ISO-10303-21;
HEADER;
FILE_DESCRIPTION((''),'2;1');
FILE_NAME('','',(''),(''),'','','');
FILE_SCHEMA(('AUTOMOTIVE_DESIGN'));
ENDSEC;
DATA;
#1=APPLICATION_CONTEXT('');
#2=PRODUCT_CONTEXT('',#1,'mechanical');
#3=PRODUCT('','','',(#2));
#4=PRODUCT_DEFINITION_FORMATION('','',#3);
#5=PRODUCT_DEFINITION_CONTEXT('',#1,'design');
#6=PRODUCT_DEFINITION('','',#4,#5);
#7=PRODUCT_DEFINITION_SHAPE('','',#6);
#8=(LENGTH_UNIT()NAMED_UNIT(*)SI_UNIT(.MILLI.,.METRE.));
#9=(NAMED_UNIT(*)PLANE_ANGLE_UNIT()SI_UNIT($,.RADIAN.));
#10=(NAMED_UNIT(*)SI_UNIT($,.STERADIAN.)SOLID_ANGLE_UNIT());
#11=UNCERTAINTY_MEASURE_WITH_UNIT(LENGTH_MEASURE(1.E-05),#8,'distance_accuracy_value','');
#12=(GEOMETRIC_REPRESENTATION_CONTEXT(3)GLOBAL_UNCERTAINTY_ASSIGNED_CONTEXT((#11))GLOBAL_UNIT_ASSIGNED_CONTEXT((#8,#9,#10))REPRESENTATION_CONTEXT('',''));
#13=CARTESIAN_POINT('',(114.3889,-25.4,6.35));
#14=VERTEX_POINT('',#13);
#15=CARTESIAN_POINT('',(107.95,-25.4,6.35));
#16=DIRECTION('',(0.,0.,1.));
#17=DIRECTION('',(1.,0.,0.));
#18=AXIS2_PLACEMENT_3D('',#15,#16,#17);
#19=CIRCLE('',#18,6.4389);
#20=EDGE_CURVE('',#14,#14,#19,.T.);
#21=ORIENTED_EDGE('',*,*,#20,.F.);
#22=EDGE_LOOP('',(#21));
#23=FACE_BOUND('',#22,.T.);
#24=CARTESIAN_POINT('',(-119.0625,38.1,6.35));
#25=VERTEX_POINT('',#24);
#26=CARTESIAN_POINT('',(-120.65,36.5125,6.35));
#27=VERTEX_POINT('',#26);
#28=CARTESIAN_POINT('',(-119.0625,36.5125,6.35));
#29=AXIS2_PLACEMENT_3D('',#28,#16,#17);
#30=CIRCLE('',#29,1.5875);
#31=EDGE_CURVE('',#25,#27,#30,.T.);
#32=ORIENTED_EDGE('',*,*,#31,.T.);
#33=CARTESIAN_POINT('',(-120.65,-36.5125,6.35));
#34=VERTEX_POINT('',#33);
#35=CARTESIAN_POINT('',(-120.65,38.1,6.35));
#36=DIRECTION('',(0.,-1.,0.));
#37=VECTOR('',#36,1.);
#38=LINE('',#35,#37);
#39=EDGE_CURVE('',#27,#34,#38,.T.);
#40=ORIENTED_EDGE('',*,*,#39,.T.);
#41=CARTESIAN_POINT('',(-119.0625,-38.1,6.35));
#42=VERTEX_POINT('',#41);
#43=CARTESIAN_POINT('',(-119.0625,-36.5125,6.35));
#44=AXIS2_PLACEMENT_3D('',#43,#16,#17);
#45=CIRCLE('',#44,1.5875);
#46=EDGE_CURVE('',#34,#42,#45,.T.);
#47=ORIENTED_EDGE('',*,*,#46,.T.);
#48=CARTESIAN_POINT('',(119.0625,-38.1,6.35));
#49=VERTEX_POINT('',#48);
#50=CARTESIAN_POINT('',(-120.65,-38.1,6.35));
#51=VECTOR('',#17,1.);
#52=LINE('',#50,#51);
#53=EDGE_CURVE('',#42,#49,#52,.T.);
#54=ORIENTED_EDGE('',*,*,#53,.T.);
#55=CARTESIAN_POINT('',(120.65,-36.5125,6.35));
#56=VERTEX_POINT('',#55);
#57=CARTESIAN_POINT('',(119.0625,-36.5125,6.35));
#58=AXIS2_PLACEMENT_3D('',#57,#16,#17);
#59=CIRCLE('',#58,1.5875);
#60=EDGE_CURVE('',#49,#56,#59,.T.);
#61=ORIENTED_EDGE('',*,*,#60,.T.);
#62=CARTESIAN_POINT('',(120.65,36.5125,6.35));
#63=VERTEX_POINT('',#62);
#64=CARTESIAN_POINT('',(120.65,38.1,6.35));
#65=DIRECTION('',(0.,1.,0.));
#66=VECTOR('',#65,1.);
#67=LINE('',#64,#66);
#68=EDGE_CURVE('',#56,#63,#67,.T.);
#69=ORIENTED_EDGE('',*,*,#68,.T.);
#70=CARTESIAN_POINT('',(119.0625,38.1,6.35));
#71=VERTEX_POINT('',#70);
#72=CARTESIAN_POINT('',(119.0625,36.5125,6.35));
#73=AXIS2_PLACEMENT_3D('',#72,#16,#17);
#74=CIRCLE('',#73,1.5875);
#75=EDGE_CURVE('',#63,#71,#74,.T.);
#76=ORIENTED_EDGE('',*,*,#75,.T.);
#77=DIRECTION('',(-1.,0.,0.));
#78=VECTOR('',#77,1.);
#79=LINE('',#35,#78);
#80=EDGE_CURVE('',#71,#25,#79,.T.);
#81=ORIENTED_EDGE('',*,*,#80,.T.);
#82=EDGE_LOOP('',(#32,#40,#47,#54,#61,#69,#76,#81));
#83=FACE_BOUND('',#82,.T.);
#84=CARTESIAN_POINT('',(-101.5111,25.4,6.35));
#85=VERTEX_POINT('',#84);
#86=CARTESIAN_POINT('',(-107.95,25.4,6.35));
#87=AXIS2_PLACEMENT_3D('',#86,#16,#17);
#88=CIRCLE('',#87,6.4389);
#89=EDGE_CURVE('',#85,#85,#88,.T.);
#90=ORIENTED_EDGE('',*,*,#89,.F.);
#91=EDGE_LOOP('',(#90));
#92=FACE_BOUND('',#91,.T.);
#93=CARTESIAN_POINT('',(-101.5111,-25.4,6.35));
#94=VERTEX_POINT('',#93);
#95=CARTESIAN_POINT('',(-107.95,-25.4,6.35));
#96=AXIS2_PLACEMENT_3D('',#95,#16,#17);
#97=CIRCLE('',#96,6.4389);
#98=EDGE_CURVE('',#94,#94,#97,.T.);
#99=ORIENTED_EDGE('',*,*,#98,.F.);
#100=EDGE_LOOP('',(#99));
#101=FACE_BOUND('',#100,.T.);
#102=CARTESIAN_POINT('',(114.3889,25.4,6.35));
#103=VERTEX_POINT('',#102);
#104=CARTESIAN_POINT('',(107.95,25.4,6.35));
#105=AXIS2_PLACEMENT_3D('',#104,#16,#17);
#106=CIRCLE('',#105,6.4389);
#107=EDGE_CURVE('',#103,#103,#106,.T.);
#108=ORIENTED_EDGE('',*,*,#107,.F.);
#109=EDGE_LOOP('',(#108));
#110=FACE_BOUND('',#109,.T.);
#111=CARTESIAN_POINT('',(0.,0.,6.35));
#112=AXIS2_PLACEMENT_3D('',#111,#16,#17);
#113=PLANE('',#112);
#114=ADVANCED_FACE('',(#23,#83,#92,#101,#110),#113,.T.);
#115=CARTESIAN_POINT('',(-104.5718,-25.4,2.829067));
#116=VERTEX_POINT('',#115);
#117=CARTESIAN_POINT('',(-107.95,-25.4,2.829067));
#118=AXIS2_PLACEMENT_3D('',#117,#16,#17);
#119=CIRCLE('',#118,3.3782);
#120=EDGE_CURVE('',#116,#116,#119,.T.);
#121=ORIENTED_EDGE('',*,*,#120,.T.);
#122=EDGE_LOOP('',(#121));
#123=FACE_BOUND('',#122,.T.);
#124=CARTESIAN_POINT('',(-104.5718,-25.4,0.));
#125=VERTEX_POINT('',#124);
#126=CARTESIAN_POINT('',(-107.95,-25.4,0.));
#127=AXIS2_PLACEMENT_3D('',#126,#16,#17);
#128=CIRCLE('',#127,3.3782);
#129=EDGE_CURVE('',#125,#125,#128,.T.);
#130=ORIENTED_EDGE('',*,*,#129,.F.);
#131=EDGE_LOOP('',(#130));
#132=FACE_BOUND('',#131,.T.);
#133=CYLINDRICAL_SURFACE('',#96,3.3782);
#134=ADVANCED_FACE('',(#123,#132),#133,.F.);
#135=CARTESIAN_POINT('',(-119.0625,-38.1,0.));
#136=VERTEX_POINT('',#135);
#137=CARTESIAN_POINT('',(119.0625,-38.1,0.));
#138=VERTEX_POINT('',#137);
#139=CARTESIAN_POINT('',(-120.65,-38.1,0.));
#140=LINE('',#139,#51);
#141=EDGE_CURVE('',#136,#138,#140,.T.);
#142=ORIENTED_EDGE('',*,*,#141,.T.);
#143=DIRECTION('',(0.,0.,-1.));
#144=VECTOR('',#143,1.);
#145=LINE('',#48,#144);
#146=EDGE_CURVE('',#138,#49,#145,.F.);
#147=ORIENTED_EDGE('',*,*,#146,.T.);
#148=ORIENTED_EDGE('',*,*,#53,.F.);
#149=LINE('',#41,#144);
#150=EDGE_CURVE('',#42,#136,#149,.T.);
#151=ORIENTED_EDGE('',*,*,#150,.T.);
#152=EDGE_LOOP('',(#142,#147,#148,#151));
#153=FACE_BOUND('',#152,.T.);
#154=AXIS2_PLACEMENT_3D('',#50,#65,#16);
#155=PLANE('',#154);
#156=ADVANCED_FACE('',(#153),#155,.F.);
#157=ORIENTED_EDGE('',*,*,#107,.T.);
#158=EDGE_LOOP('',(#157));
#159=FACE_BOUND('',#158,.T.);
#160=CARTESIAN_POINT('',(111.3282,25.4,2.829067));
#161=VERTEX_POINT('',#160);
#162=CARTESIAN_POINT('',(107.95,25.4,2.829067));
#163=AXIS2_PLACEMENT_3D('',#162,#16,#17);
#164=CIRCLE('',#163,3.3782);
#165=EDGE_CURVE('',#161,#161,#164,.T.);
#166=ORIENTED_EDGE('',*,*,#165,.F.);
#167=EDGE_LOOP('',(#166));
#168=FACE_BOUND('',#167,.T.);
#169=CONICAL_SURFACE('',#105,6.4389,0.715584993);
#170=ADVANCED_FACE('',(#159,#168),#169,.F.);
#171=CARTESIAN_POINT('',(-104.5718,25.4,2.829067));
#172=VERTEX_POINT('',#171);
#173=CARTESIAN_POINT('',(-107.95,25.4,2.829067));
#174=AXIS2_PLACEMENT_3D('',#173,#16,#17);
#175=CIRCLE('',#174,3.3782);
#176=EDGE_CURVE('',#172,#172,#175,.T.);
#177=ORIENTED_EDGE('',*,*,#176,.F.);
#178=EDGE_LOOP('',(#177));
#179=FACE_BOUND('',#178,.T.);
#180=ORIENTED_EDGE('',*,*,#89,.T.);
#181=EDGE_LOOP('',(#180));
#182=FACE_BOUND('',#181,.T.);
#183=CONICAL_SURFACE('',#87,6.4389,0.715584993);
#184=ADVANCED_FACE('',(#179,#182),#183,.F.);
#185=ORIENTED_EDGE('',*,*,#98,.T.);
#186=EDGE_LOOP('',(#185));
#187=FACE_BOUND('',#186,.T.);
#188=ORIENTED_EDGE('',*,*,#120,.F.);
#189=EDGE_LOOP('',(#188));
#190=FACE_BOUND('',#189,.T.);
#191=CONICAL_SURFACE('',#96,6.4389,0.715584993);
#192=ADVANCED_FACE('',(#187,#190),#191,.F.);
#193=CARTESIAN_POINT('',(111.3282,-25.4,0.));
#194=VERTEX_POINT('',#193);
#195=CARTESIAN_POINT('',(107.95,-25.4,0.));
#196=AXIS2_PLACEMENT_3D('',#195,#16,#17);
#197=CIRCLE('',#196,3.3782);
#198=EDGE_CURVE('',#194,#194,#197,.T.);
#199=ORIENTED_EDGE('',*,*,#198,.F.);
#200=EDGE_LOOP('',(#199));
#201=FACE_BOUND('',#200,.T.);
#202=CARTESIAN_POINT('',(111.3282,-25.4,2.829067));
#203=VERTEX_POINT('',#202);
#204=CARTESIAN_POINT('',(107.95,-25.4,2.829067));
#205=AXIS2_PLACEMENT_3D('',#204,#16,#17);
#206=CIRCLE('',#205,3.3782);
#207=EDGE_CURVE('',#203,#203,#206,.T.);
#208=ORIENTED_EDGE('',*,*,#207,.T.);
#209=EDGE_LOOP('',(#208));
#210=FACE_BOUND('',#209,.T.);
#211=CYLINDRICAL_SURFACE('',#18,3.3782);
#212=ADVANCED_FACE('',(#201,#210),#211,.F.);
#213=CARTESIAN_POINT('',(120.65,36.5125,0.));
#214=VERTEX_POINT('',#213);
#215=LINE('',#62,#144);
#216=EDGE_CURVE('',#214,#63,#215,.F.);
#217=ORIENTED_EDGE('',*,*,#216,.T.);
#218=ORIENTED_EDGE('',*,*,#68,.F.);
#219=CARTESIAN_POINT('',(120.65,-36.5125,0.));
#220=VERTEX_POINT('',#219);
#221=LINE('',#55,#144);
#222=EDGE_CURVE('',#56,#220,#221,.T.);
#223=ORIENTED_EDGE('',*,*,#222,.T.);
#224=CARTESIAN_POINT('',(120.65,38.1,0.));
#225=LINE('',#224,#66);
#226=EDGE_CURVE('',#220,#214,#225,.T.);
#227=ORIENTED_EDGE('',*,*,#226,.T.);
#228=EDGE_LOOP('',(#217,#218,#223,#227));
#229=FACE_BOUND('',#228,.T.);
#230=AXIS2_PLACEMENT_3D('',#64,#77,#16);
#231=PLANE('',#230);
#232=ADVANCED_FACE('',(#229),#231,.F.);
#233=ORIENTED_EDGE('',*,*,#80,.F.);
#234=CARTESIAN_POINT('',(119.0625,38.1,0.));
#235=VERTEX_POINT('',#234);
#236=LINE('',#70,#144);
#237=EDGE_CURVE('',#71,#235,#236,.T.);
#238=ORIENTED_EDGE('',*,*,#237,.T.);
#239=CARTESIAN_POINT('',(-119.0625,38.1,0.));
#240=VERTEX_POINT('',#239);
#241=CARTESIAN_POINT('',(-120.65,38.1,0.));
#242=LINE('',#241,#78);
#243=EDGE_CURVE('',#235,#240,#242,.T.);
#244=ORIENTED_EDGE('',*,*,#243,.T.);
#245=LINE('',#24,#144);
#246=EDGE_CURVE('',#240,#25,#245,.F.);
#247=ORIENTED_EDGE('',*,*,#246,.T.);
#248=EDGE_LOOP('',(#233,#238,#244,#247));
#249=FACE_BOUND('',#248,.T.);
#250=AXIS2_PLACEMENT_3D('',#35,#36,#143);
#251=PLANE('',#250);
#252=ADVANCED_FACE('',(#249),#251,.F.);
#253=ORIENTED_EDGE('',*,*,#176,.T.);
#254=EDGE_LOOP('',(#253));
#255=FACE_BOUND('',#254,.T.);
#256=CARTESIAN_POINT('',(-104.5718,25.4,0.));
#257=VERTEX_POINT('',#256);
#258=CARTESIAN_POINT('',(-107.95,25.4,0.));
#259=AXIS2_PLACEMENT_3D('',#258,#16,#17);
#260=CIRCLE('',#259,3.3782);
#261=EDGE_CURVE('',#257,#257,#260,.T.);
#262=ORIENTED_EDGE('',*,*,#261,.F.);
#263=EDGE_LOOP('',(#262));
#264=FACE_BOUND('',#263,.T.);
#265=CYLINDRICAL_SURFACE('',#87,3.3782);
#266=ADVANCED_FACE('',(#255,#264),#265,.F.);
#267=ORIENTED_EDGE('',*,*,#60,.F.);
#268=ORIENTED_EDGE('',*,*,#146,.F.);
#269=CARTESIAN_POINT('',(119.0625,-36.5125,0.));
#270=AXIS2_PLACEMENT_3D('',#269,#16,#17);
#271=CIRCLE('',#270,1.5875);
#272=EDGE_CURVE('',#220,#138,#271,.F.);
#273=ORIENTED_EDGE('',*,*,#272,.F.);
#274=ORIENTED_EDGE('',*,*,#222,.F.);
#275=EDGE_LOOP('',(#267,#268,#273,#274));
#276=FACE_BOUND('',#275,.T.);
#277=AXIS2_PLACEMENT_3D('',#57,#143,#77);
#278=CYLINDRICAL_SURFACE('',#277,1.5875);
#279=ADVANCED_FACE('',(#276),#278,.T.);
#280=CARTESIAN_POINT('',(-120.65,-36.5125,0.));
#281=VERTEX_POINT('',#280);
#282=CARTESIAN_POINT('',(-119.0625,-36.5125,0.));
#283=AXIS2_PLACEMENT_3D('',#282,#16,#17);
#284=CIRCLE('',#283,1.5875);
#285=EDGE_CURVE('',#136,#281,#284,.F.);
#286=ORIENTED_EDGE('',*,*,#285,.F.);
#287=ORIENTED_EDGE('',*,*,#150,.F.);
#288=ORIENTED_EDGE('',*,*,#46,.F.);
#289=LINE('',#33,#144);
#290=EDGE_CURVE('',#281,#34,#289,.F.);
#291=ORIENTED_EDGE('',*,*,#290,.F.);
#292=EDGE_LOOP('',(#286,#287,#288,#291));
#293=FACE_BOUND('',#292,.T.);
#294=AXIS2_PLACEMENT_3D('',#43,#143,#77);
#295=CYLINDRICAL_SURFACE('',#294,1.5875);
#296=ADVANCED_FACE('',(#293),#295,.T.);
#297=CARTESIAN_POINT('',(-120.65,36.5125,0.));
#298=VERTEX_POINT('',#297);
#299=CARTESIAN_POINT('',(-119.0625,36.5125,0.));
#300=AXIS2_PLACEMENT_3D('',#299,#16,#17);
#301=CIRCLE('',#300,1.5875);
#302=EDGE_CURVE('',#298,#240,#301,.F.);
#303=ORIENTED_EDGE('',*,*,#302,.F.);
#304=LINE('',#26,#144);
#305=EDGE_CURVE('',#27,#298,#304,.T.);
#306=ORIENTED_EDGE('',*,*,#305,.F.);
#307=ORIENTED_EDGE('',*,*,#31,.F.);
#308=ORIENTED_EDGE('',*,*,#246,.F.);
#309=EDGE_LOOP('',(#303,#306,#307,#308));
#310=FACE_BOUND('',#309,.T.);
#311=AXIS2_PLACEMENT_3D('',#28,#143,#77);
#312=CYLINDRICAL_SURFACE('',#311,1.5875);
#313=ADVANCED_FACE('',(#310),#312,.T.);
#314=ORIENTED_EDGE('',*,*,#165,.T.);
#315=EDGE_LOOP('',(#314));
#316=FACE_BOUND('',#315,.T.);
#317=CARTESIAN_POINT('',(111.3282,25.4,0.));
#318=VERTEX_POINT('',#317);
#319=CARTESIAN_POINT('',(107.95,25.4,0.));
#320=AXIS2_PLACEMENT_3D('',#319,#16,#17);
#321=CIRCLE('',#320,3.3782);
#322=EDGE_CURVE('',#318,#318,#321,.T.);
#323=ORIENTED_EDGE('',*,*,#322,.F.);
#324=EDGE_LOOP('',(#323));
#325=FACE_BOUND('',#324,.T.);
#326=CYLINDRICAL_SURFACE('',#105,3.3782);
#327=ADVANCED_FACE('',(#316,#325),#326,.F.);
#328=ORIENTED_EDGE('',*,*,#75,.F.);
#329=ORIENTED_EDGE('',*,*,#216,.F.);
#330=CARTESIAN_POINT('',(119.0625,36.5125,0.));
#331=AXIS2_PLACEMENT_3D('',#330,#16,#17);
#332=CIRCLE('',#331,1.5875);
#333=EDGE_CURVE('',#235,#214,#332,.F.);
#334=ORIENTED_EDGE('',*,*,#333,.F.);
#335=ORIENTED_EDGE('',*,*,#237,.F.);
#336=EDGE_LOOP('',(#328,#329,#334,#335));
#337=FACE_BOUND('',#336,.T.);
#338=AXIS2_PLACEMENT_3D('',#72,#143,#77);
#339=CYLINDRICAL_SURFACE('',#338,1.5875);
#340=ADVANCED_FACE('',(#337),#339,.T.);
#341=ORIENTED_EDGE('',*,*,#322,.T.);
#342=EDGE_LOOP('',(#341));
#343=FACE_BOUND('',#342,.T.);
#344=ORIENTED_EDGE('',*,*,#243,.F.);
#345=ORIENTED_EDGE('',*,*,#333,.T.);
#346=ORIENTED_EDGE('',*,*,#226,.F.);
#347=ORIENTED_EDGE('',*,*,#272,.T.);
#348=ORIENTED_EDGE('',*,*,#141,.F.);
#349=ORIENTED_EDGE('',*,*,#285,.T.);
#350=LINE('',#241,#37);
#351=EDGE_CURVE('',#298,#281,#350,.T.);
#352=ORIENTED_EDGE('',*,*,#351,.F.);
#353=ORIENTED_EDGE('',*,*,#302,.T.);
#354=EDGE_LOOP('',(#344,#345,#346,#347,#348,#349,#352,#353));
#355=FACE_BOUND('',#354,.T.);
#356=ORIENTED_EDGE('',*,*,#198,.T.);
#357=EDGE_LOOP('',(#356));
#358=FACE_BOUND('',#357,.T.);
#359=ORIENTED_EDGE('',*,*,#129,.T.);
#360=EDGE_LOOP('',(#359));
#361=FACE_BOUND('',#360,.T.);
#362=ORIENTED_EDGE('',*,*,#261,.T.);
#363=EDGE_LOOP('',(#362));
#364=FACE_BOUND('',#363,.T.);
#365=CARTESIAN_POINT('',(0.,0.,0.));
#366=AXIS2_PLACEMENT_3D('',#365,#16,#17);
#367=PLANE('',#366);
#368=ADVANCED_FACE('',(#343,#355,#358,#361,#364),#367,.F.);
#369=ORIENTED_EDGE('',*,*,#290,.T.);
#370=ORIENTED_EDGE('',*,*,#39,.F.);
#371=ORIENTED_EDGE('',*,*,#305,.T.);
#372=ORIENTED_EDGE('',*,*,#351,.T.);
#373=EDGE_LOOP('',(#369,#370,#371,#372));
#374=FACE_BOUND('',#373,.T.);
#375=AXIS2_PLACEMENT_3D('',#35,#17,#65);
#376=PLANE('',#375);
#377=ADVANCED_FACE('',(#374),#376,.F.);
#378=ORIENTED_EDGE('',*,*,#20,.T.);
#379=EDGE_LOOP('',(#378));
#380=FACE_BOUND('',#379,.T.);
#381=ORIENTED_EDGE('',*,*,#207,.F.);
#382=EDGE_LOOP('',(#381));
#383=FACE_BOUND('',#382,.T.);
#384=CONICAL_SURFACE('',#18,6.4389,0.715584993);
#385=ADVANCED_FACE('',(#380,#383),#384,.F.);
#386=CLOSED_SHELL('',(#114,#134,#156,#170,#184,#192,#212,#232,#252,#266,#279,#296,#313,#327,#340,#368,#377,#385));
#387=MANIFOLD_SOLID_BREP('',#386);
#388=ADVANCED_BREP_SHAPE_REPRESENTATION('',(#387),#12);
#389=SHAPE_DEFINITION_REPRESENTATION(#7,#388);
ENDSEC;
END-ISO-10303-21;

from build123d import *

# Parameters (mm, degrees)
SKETCH1_W                                   = 241.3
SKETCH1_H                                   = 76.2
BOSS_EXTRUDE1_DEPTH                         = 6.35
CSK_FOR_1_4_FLAT_HEAD_MACHINE_SCREW_2_COUNT = 2
CSK_FOR_1_4_FLAT_HEAD_MACHINE_SCREW_2_PITCH = 50.8
CSK_FOR_1_4_FLAT_HEAD_MACHINE_SCREW_3_COUNT = 2
CSK_FOR_1_4_FLAT_HEAD_MACHINE_SCREW_3_PITCH = 215.9
CSK_FOR_1_4_FLAT_HEAD_MACHINE_SCREW_4_COUNT = 2
CSK_FOR_1_4_FLAT_HEAD_MACHINE_SCREW_4_PITCH = 221.795964796
FILLET1_R                                   = 1.5875


with BuildPart() as part:
    # Sketch1 → Boss-Extrude1 (new body)
    with BuildSketch(Plane.XY):
        Rectangle(SKETCH1_W, SKETCH1_H)
    extrude(amount=BOSS_EXTRUDE1_DEPTH)

    # Sketch4 → CSK for 1/4 Flat Head Machine Screw (100)1 (revolve, cut)
    with BuildSketch(Plane(origin=(107.95, 25.4, 6.35), x_dir=(0, -1, 0), z_dir=(1, 0, 0))):
        Polygon((0, 0), (0, 6.35), (3.3782, 6.35), (3.3782, 3.520932584), (6.4389, 0), align=None)
    csk_for_1_4_flat_head_machine_screw_100 = revolve(axis=Axis((107.95, 25.4, 12.7), (0, 0, -1)), mode=Mode.SUBTRACT)

    # CSK for 1_4 Flat Head Machine Screw  2: CSK for 1/4 Flat Head Machine Screw (100)1 ×2
    with Locations(*[(0, -i * CSK_FOR_1_4_FLAT_HEAD_MACHINE_SCREW_2_PITCH, 0) for i in range(1, CSK_FOR_1_4_FLAT_HEAD_MACHINE_SCREW_2_COUNT)]):
        add(csk_for_1_4_flat_head_machine_screw_100, mode=Mode.SUBTRACT)

    # CSK for 1_4 Flat Head Machine Screw  3: CSK for 1/4 Flat Head Machine Screw (100)1 ×2
    with Locations(*[(-i * CSK_FOR_1_4_FLAT_HEAD_MACHINE_SCREW_3_PITCH, 0, 0) for i in range(1, CSK_FOR_1_4_FLAT_HEAD_MACHINE_SCREW_3_COUNT)]):
        add(csk_for_1_4_flat_head_machine_screw_100, mode=Mode.SUBTRACT)

    # CSK for 1_4 Flat Head Machine Screw  4: CSK for 1/4 Flat Head Machine Screw (100)1 ×2
    with Locations(*[Vector(-0.973417168, -0.229039334, 0) * (i * CSK_FOR_1_4_FLAT_HEAD_MACHINE_SCREW_4_PITCH) for i in range(1, CSK_FOR_1_4_FLAT_HEAD_MACHINE_SCREW_4_COUNT)]):
        add(csk_for_1_4_flat_head_machine_screw_100, mode=Mode.SUBTRACT)

    # Fillet1
    fillet1_edges = [part.edges().sort_by_distance(p)[0] for p in [
        (120.65, -38.1, 3.175),
        (-120.65, -38.1, 3.175),
        (-120.65, 38.1, 3.175),
        (120.65, 38.1, 3.175),
    ]]
    fillet(fillet1_edges, radius=FILLET1_R)


solid = part.part
